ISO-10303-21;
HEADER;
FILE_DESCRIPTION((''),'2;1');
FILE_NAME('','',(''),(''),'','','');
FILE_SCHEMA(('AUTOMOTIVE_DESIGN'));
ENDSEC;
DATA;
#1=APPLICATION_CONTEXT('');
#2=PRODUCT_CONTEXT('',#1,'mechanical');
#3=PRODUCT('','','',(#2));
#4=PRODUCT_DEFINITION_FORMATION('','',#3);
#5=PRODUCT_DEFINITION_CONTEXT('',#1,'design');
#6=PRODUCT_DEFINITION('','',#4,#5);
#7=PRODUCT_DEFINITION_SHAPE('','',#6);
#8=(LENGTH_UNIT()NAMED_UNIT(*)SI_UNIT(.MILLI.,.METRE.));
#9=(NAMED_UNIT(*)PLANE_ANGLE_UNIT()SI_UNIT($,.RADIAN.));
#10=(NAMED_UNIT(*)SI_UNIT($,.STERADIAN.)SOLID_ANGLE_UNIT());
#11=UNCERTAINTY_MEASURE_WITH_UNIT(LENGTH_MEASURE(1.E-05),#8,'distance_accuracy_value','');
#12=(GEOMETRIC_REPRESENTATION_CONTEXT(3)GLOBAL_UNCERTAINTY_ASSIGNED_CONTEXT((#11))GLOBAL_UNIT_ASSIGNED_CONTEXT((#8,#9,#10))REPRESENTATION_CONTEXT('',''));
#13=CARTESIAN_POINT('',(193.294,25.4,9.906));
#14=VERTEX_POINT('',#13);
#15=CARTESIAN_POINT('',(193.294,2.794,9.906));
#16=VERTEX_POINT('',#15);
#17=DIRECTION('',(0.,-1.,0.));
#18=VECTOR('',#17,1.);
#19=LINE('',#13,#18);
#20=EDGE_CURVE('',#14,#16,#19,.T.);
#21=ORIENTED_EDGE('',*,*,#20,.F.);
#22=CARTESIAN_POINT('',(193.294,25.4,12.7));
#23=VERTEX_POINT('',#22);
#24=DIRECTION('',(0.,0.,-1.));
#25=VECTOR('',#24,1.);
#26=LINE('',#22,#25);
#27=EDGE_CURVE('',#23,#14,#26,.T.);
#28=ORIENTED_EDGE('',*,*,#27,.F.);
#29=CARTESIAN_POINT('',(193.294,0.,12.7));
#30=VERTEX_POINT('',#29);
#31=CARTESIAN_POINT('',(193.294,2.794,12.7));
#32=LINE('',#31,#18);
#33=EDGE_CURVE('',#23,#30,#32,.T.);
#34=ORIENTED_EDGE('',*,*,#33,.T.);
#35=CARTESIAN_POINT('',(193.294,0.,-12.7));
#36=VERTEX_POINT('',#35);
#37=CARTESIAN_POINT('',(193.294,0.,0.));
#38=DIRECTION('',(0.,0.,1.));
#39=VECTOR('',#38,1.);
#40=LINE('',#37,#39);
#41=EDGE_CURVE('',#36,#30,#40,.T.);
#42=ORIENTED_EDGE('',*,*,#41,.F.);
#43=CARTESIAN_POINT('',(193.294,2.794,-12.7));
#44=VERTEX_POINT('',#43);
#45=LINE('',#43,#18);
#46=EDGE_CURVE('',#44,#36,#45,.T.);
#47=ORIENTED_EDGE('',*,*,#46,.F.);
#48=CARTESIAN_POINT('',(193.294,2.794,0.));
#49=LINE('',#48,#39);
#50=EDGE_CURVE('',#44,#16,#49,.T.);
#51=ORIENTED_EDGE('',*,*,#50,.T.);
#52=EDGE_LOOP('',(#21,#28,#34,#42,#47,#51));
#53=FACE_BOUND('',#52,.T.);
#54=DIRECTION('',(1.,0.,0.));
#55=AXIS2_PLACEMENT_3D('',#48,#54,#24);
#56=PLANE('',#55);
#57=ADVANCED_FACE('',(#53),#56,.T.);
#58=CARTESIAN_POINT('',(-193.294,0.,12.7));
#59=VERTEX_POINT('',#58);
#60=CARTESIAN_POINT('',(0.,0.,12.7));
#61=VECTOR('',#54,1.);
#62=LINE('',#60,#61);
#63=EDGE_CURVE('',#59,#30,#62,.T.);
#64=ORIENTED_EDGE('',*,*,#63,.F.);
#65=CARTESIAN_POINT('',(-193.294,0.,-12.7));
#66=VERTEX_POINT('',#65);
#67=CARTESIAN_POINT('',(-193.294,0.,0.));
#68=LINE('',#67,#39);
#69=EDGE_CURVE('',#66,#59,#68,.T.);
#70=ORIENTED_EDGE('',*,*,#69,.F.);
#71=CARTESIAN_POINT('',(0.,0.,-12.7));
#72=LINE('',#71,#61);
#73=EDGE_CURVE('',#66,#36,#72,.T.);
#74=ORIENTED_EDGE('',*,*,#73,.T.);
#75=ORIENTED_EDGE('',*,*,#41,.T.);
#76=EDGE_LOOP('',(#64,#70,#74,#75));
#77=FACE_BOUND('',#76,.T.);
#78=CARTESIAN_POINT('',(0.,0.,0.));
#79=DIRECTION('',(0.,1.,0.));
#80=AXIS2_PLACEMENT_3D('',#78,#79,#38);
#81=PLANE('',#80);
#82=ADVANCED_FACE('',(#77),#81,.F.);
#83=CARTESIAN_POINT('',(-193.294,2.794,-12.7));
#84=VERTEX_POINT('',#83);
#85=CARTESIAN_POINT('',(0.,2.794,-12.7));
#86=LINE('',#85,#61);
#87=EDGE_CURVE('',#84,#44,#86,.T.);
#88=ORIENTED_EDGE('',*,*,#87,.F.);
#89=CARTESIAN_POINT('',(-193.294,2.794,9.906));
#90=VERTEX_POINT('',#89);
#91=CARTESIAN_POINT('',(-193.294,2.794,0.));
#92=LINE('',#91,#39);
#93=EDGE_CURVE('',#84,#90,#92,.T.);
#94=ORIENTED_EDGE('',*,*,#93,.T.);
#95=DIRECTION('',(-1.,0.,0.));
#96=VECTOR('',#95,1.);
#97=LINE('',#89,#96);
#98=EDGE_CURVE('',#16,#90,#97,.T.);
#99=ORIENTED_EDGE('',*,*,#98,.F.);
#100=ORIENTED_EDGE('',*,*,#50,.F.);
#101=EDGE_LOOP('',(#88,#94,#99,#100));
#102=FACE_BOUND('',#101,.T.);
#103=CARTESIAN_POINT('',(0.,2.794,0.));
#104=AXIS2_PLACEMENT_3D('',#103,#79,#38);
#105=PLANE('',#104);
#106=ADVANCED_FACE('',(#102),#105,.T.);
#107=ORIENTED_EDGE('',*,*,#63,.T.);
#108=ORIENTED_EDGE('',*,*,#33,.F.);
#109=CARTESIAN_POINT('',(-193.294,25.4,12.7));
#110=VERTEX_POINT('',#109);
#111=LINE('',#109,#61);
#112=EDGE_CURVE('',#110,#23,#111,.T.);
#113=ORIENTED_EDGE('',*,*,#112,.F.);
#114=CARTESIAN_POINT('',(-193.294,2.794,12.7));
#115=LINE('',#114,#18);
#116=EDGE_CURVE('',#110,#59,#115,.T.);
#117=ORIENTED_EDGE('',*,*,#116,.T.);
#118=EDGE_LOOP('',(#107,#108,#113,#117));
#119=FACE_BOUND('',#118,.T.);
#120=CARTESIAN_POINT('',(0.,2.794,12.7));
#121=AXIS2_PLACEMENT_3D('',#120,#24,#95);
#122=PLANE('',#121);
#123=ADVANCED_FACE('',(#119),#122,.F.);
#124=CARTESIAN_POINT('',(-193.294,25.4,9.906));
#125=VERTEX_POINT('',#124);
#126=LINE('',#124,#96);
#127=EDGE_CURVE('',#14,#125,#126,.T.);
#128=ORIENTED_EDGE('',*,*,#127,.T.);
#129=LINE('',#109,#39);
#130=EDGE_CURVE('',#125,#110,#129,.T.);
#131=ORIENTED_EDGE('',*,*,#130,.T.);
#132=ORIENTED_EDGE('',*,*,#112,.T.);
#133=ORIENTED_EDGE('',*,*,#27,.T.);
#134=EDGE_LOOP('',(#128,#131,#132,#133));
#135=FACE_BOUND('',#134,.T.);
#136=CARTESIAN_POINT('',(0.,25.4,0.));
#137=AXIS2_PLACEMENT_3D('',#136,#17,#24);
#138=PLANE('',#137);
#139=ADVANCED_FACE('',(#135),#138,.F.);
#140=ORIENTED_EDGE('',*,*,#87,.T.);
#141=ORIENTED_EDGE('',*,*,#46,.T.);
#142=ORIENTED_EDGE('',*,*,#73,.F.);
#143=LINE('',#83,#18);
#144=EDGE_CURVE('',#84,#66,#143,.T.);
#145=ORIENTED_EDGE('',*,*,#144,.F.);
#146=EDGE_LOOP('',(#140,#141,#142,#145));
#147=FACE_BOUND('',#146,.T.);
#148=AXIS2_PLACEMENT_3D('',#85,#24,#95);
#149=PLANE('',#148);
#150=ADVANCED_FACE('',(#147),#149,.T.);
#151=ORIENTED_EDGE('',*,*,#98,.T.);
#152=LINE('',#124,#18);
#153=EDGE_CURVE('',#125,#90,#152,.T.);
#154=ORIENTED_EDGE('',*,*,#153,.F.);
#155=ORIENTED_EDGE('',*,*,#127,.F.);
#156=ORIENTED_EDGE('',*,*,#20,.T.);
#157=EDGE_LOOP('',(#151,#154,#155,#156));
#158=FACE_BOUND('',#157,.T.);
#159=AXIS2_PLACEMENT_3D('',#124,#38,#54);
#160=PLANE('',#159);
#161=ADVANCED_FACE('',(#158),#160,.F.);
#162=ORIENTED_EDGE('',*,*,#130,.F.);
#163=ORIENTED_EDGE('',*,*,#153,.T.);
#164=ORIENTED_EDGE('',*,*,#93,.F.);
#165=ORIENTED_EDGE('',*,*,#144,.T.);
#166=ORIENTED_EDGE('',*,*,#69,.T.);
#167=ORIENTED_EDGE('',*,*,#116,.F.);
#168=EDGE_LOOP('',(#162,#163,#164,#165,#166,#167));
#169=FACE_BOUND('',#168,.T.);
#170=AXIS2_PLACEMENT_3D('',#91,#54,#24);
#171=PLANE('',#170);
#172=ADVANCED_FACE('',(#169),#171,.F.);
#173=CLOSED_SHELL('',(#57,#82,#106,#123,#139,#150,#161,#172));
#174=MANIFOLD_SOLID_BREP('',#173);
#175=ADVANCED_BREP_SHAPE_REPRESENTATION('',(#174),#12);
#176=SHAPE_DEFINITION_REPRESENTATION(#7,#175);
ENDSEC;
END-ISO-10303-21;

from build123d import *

# Parameters (mm, degrees)
SKETCH1_W           = 386.588
SKETCH1_H           = 2.794
SKETCH1_H_2         = 22.606
BOSS_EXTRUDE1_DEPTH = 2.794
SKETCH2_W           = 386.588
SKETCH2_H           = 2.794
BOSS_EXTRUDE3_DEPTH = 22.606


with BuildPart() as part:
    # Sketch1 → Boss-Extrude1 (new body)
    with BuildSketch(Plane(origin=(0, 0, 0), x_dir=(1, 0, 0), z_dir=(0, 1, 0))):
        with Locations((0, -11.303)):
            Rectangle(SKETCH1_W, SKETCH1_H)
        with Locations((0, 1.397)):
            Rectangle(SKETCH1_W, SKETCH1_H_2)
    extrude(amount=BOSS_EXTRUDE1_DEPTH)

    # Sketch2 → Boss-Extrude3 (add)
    with BuildSketch(Plane(origin=(0, 2.794, 0), x_dir=(1, 0, 0), z_dir=(0, 1, 0))):
        with Locations((0, -11.303)):
            Rectangle(SKETCH2_W, SKETCH2_H)
    extrude(amount=BOSS_EXTRUDE3_DEPTH)


solid = part.part
